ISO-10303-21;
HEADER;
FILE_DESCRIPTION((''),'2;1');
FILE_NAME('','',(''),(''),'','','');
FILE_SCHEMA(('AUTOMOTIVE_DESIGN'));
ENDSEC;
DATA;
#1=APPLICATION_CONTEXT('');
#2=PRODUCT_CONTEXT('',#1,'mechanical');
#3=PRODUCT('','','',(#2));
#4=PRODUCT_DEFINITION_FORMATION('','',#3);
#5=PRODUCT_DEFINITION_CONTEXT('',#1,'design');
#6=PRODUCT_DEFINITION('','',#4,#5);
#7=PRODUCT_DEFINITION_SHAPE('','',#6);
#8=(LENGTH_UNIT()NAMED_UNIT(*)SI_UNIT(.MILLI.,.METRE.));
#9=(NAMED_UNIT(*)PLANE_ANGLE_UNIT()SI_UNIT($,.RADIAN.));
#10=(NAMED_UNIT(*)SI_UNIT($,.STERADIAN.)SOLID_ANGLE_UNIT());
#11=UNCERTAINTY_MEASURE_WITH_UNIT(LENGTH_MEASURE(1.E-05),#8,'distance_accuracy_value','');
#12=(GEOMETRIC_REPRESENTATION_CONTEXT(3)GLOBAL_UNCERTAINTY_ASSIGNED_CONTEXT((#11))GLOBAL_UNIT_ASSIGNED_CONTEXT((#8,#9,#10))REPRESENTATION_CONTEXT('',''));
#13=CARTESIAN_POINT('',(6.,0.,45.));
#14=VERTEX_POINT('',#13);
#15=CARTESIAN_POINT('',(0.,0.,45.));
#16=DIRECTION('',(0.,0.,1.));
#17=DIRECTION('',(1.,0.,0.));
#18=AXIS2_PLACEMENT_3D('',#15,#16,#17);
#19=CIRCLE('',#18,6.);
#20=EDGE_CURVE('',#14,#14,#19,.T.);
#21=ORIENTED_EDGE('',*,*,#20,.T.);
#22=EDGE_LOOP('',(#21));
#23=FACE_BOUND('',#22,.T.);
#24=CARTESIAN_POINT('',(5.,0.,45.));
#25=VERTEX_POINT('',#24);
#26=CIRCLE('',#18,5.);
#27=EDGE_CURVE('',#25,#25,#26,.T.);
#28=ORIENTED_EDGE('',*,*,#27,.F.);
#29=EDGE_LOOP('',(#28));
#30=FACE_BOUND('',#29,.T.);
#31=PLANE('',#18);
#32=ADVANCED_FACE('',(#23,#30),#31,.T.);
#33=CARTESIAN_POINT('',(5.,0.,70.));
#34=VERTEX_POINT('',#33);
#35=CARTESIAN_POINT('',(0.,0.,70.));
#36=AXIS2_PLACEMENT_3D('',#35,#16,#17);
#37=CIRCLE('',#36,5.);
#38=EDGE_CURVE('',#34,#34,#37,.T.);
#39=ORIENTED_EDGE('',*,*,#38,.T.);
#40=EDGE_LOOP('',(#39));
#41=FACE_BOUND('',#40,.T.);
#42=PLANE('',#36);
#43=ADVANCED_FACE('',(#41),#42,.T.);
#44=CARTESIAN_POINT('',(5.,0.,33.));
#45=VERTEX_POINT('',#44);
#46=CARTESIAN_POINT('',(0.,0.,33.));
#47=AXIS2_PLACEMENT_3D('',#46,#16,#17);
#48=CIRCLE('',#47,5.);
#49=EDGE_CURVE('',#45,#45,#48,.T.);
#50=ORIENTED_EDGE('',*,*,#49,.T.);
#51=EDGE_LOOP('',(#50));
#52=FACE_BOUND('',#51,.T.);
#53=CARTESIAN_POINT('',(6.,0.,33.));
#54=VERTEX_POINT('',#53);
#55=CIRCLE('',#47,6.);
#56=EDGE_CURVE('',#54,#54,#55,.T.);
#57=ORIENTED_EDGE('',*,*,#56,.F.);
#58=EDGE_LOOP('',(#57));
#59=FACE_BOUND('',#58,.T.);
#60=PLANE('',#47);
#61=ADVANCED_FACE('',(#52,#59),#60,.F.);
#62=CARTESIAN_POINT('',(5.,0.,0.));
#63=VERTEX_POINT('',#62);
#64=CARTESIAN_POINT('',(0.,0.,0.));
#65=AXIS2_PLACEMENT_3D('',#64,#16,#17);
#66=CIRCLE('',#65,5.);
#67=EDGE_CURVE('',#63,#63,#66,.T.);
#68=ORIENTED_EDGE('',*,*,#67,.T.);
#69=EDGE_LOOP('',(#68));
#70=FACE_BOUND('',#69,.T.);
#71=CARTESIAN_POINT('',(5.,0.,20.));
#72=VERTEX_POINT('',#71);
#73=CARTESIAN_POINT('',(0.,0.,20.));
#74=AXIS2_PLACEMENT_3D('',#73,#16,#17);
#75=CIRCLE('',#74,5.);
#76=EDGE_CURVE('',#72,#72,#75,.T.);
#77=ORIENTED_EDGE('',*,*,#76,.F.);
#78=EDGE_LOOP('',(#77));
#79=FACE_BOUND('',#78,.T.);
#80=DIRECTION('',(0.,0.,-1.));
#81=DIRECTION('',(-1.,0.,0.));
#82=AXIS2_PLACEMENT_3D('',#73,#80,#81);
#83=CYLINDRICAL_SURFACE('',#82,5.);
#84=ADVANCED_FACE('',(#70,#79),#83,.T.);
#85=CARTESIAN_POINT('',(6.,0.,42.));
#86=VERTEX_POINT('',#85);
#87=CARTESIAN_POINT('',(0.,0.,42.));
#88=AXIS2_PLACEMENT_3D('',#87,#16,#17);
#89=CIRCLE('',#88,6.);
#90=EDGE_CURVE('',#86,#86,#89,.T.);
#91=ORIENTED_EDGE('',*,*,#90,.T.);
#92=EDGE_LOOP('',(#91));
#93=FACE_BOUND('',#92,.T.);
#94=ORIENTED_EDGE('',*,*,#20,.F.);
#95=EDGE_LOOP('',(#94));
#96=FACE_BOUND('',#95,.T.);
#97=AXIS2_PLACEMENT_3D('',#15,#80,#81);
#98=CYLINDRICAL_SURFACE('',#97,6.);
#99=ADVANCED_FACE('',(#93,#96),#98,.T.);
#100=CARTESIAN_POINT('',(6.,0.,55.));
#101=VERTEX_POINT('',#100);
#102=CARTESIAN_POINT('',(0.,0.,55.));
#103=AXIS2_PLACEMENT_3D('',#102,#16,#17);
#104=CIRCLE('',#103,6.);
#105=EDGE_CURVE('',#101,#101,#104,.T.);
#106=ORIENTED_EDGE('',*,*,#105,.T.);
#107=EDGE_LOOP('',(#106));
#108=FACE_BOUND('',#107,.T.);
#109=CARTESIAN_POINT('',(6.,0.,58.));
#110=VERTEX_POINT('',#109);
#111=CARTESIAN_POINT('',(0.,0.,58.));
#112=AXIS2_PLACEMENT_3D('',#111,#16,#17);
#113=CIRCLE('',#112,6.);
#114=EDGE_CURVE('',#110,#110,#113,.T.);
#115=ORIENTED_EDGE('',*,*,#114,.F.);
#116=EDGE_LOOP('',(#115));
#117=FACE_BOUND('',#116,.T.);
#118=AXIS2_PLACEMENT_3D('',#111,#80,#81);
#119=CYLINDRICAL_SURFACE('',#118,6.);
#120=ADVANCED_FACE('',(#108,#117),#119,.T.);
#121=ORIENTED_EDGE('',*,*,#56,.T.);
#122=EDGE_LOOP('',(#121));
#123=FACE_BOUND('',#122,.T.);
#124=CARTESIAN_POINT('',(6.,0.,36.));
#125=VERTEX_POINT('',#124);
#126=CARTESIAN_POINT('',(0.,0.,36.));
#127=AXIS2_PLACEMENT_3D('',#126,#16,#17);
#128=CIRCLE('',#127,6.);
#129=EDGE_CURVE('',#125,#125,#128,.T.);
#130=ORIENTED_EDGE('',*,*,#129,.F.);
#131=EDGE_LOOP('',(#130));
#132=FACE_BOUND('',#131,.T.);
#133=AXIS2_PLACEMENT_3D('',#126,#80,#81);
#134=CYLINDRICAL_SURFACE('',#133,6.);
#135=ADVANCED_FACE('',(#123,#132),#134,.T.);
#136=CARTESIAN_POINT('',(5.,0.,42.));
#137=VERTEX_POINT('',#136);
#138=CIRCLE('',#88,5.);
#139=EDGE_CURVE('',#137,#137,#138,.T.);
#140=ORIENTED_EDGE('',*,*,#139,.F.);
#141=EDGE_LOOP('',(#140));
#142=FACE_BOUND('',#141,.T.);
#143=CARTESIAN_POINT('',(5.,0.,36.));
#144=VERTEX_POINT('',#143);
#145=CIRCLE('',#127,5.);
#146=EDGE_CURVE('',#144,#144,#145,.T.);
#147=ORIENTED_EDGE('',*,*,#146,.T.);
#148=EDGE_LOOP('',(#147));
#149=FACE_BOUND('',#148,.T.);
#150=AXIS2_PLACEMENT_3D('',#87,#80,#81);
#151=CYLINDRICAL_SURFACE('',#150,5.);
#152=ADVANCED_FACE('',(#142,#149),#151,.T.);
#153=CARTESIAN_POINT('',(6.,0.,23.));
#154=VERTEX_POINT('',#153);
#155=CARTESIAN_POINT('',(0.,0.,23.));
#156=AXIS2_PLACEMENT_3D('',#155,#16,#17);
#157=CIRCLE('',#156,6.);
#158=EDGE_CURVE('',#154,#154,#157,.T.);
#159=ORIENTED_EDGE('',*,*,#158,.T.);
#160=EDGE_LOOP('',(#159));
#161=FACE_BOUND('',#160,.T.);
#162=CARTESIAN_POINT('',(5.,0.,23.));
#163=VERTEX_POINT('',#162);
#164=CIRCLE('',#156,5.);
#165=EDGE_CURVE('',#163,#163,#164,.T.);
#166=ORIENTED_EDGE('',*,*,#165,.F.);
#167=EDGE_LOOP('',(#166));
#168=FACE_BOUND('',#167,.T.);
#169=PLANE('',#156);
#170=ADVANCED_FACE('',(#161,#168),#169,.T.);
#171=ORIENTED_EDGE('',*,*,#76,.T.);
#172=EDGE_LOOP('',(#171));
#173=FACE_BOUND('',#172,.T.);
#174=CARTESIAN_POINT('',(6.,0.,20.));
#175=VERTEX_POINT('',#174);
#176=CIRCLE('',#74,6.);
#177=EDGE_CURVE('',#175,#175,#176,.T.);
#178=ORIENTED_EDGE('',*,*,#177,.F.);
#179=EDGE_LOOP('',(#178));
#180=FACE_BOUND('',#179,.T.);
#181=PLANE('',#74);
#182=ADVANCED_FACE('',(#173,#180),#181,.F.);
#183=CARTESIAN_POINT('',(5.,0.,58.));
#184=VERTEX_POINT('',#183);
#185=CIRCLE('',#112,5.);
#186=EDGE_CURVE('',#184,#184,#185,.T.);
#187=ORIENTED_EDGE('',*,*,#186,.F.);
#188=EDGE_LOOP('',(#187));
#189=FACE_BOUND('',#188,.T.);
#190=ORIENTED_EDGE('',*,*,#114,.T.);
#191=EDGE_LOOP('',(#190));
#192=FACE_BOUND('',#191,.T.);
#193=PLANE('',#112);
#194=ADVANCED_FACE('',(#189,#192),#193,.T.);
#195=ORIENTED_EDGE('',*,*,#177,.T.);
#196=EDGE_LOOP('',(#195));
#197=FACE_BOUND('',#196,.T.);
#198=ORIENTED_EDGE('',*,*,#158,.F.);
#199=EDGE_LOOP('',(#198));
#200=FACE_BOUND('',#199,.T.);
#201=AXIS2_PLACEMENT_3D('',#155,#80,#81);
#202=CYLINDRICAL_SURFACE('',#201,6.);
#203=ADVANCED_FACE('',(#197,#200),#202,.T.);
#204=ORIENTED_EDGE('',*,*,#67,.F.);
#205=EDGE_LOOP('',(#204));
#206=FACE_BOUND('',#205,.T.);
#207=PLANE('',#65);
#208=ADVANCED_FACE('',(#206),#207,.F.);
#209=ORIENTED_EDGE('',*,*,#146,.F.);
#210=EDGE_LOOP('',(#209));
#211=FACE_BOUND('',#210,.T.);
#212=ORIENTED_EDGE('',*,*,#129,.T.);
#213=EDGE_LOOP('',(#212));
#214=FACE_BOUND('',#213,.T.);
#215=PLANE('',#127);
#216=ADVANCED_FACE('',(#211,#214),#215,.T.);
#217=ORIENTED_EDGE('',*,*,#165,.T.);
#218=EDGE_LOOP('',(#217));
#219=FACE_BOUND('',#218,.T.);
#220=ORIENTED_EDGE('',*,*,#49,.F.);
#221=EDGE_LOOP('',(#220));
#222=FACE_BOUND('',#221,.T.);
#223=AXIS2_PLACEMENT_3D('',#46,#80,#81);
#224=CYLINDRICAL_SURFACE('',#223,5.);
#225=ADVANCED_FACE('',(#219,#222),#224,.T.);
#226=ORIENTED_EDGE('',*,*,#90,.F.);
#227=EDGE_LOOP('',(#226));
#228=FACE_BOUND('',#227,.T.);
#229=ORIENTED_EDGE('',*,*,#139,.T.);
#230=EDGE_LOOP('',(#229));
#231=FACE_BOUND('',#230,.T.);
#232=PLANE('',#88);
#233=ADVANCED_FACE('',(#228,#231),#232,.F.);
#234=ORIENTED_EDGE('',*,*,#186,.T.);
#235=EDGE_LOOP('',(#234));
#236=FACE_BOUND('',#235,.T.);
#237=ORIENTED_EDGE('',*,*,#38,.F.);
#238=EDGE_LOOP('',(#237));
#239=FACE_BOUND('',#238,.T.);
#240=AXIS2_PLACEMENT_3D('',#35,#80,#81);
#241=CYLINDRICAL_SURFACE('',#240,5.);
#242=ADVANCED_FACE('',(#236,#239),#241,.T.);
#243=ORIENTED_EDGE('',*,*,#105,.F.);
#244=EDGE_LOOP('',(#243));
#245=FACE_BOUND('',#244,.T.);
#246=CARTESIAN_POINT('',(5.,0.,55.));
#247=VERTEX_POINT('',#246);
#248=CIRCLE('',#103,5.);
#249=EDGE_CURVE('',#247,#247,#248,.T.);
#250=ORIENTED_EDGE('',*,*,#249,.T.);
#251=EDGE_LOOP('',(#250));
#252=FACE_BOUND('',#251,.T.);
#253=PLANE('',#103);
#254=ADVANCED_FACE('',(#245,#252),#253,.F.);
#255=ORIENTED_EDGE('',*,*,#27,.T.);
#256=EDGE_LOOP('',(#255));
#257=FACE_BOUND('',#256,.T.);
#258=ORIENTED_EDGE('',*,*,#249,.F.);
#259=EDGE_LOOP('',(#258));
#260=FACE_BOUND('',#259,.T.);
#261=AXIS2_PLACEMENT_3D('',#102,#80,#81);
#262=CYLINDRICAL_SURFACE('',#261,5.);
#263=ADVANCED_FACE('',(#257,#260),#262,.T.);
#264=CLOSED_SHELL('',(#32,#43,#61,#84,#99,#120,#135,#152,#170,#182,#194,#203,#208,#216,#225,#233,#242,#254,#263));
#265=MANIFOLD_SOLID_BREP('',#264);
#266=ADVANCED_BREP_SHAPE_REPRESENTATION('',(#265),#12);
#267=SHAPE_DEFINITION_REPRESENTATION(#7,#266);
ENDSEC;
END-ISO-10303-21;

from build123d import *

# Parameters (mm, degrees)
SKETCH1_R           = 5
BOSS_EXTRUDE1_DEPTH = 20
SKETCH2_R           = 6
BOSS_EXTRUDE2_DEPTH = 3
SKETCH3_R           = 5
BOSS_EXTRUDE3_DEPTH = 10
SKETCH4_R           = 6
BOSS_EXTRUDE4_DEPTH = 3
SKETCH5_R           = 5
BOSS_EXTRUDE5_DEPTH = 6
SKETCH6_R           = 6
BOSS_EXTRUDE6_DEPTH = 3
SKETCH7_R           = 5
BOSS_EXTRUDE7_DEPTH = 10
SKETCH8_R           = 6
BOSS_EXTRUDE8_DEPTH = 3
SKETCH9_R           = 5
BOSS_EXTRUDE9_DEPTH = 12


with BuildPart() as part:
    # Sketch1 → Boss-Extrude1 (new body)
    with BuildSketch(Plane.XY):
        Circle(SKETCH1_R)
    extrude(amount=BOSS_EXTRUDE1_DEPTH)

    # Sketch2 → Boss-Extrude2 (add)
    with BuildSketch(Plane.XY.offset(20)):
        Circle(SKETCH2_R)
    extrude(amount=BOSS_EXTRUDE2_DEPTH)

    # Sketch3 → Boss-Extrude3 (add)
    with BuildSketch(Plane.XY.offset(23)):
        Circle(SKETCH3_R)
    extrude(amount=BOSS_EXTRUDE3_DEPTH)

    # Sketch4 → Boss-Extrude4 (add)
    with BuildSketch(Plane.XY.offset(33)):
        Circle(SKETCH4_R)
    extrude(amount=BOSS_EXTRUDE4_DEPTH)

    # Sketch5 → Boss-Extrude5 (add)
    with BuildSketch(Plane.XY.offset(36)):
        Circle(SKETCH5_R)
    extrude(amount=BOSS_EXTRUDE5_DEPTH)

    # Sketch6 → Boss-Extrude6 (add)
    with BuildSketch(Plane.XY.offset(42)):
        Circle(SKETCH6_R)
    extrude(amount=BOSS_EXTRUDE6_DEPTH)

    # Sketch7 → Boss-Extrude7 (add)
    with BuildSketch(Plane.XY.offset(45)):
        Circle(SKETCH7_R)
    extrude(amount=BOSS_EXTRUDE7_DEPTH)

    # Sketch8 → Boss-Extrude8 (add)
    with BuildSketch(Plane.XY.offset(55)):
        Circle(SKETCH8_R)
    extrude(amount=BOSS_EXTRUDE8_DEPTH)

    # Sketch9 → Boss-Extrude9 (add)
    with BuildSketch(Plane.XY.offset(58)):
        Circle(SKETCH9_R)
    extrude(amount=BOSS_EXTRUDE9_DEPTH)


solid = part.part
